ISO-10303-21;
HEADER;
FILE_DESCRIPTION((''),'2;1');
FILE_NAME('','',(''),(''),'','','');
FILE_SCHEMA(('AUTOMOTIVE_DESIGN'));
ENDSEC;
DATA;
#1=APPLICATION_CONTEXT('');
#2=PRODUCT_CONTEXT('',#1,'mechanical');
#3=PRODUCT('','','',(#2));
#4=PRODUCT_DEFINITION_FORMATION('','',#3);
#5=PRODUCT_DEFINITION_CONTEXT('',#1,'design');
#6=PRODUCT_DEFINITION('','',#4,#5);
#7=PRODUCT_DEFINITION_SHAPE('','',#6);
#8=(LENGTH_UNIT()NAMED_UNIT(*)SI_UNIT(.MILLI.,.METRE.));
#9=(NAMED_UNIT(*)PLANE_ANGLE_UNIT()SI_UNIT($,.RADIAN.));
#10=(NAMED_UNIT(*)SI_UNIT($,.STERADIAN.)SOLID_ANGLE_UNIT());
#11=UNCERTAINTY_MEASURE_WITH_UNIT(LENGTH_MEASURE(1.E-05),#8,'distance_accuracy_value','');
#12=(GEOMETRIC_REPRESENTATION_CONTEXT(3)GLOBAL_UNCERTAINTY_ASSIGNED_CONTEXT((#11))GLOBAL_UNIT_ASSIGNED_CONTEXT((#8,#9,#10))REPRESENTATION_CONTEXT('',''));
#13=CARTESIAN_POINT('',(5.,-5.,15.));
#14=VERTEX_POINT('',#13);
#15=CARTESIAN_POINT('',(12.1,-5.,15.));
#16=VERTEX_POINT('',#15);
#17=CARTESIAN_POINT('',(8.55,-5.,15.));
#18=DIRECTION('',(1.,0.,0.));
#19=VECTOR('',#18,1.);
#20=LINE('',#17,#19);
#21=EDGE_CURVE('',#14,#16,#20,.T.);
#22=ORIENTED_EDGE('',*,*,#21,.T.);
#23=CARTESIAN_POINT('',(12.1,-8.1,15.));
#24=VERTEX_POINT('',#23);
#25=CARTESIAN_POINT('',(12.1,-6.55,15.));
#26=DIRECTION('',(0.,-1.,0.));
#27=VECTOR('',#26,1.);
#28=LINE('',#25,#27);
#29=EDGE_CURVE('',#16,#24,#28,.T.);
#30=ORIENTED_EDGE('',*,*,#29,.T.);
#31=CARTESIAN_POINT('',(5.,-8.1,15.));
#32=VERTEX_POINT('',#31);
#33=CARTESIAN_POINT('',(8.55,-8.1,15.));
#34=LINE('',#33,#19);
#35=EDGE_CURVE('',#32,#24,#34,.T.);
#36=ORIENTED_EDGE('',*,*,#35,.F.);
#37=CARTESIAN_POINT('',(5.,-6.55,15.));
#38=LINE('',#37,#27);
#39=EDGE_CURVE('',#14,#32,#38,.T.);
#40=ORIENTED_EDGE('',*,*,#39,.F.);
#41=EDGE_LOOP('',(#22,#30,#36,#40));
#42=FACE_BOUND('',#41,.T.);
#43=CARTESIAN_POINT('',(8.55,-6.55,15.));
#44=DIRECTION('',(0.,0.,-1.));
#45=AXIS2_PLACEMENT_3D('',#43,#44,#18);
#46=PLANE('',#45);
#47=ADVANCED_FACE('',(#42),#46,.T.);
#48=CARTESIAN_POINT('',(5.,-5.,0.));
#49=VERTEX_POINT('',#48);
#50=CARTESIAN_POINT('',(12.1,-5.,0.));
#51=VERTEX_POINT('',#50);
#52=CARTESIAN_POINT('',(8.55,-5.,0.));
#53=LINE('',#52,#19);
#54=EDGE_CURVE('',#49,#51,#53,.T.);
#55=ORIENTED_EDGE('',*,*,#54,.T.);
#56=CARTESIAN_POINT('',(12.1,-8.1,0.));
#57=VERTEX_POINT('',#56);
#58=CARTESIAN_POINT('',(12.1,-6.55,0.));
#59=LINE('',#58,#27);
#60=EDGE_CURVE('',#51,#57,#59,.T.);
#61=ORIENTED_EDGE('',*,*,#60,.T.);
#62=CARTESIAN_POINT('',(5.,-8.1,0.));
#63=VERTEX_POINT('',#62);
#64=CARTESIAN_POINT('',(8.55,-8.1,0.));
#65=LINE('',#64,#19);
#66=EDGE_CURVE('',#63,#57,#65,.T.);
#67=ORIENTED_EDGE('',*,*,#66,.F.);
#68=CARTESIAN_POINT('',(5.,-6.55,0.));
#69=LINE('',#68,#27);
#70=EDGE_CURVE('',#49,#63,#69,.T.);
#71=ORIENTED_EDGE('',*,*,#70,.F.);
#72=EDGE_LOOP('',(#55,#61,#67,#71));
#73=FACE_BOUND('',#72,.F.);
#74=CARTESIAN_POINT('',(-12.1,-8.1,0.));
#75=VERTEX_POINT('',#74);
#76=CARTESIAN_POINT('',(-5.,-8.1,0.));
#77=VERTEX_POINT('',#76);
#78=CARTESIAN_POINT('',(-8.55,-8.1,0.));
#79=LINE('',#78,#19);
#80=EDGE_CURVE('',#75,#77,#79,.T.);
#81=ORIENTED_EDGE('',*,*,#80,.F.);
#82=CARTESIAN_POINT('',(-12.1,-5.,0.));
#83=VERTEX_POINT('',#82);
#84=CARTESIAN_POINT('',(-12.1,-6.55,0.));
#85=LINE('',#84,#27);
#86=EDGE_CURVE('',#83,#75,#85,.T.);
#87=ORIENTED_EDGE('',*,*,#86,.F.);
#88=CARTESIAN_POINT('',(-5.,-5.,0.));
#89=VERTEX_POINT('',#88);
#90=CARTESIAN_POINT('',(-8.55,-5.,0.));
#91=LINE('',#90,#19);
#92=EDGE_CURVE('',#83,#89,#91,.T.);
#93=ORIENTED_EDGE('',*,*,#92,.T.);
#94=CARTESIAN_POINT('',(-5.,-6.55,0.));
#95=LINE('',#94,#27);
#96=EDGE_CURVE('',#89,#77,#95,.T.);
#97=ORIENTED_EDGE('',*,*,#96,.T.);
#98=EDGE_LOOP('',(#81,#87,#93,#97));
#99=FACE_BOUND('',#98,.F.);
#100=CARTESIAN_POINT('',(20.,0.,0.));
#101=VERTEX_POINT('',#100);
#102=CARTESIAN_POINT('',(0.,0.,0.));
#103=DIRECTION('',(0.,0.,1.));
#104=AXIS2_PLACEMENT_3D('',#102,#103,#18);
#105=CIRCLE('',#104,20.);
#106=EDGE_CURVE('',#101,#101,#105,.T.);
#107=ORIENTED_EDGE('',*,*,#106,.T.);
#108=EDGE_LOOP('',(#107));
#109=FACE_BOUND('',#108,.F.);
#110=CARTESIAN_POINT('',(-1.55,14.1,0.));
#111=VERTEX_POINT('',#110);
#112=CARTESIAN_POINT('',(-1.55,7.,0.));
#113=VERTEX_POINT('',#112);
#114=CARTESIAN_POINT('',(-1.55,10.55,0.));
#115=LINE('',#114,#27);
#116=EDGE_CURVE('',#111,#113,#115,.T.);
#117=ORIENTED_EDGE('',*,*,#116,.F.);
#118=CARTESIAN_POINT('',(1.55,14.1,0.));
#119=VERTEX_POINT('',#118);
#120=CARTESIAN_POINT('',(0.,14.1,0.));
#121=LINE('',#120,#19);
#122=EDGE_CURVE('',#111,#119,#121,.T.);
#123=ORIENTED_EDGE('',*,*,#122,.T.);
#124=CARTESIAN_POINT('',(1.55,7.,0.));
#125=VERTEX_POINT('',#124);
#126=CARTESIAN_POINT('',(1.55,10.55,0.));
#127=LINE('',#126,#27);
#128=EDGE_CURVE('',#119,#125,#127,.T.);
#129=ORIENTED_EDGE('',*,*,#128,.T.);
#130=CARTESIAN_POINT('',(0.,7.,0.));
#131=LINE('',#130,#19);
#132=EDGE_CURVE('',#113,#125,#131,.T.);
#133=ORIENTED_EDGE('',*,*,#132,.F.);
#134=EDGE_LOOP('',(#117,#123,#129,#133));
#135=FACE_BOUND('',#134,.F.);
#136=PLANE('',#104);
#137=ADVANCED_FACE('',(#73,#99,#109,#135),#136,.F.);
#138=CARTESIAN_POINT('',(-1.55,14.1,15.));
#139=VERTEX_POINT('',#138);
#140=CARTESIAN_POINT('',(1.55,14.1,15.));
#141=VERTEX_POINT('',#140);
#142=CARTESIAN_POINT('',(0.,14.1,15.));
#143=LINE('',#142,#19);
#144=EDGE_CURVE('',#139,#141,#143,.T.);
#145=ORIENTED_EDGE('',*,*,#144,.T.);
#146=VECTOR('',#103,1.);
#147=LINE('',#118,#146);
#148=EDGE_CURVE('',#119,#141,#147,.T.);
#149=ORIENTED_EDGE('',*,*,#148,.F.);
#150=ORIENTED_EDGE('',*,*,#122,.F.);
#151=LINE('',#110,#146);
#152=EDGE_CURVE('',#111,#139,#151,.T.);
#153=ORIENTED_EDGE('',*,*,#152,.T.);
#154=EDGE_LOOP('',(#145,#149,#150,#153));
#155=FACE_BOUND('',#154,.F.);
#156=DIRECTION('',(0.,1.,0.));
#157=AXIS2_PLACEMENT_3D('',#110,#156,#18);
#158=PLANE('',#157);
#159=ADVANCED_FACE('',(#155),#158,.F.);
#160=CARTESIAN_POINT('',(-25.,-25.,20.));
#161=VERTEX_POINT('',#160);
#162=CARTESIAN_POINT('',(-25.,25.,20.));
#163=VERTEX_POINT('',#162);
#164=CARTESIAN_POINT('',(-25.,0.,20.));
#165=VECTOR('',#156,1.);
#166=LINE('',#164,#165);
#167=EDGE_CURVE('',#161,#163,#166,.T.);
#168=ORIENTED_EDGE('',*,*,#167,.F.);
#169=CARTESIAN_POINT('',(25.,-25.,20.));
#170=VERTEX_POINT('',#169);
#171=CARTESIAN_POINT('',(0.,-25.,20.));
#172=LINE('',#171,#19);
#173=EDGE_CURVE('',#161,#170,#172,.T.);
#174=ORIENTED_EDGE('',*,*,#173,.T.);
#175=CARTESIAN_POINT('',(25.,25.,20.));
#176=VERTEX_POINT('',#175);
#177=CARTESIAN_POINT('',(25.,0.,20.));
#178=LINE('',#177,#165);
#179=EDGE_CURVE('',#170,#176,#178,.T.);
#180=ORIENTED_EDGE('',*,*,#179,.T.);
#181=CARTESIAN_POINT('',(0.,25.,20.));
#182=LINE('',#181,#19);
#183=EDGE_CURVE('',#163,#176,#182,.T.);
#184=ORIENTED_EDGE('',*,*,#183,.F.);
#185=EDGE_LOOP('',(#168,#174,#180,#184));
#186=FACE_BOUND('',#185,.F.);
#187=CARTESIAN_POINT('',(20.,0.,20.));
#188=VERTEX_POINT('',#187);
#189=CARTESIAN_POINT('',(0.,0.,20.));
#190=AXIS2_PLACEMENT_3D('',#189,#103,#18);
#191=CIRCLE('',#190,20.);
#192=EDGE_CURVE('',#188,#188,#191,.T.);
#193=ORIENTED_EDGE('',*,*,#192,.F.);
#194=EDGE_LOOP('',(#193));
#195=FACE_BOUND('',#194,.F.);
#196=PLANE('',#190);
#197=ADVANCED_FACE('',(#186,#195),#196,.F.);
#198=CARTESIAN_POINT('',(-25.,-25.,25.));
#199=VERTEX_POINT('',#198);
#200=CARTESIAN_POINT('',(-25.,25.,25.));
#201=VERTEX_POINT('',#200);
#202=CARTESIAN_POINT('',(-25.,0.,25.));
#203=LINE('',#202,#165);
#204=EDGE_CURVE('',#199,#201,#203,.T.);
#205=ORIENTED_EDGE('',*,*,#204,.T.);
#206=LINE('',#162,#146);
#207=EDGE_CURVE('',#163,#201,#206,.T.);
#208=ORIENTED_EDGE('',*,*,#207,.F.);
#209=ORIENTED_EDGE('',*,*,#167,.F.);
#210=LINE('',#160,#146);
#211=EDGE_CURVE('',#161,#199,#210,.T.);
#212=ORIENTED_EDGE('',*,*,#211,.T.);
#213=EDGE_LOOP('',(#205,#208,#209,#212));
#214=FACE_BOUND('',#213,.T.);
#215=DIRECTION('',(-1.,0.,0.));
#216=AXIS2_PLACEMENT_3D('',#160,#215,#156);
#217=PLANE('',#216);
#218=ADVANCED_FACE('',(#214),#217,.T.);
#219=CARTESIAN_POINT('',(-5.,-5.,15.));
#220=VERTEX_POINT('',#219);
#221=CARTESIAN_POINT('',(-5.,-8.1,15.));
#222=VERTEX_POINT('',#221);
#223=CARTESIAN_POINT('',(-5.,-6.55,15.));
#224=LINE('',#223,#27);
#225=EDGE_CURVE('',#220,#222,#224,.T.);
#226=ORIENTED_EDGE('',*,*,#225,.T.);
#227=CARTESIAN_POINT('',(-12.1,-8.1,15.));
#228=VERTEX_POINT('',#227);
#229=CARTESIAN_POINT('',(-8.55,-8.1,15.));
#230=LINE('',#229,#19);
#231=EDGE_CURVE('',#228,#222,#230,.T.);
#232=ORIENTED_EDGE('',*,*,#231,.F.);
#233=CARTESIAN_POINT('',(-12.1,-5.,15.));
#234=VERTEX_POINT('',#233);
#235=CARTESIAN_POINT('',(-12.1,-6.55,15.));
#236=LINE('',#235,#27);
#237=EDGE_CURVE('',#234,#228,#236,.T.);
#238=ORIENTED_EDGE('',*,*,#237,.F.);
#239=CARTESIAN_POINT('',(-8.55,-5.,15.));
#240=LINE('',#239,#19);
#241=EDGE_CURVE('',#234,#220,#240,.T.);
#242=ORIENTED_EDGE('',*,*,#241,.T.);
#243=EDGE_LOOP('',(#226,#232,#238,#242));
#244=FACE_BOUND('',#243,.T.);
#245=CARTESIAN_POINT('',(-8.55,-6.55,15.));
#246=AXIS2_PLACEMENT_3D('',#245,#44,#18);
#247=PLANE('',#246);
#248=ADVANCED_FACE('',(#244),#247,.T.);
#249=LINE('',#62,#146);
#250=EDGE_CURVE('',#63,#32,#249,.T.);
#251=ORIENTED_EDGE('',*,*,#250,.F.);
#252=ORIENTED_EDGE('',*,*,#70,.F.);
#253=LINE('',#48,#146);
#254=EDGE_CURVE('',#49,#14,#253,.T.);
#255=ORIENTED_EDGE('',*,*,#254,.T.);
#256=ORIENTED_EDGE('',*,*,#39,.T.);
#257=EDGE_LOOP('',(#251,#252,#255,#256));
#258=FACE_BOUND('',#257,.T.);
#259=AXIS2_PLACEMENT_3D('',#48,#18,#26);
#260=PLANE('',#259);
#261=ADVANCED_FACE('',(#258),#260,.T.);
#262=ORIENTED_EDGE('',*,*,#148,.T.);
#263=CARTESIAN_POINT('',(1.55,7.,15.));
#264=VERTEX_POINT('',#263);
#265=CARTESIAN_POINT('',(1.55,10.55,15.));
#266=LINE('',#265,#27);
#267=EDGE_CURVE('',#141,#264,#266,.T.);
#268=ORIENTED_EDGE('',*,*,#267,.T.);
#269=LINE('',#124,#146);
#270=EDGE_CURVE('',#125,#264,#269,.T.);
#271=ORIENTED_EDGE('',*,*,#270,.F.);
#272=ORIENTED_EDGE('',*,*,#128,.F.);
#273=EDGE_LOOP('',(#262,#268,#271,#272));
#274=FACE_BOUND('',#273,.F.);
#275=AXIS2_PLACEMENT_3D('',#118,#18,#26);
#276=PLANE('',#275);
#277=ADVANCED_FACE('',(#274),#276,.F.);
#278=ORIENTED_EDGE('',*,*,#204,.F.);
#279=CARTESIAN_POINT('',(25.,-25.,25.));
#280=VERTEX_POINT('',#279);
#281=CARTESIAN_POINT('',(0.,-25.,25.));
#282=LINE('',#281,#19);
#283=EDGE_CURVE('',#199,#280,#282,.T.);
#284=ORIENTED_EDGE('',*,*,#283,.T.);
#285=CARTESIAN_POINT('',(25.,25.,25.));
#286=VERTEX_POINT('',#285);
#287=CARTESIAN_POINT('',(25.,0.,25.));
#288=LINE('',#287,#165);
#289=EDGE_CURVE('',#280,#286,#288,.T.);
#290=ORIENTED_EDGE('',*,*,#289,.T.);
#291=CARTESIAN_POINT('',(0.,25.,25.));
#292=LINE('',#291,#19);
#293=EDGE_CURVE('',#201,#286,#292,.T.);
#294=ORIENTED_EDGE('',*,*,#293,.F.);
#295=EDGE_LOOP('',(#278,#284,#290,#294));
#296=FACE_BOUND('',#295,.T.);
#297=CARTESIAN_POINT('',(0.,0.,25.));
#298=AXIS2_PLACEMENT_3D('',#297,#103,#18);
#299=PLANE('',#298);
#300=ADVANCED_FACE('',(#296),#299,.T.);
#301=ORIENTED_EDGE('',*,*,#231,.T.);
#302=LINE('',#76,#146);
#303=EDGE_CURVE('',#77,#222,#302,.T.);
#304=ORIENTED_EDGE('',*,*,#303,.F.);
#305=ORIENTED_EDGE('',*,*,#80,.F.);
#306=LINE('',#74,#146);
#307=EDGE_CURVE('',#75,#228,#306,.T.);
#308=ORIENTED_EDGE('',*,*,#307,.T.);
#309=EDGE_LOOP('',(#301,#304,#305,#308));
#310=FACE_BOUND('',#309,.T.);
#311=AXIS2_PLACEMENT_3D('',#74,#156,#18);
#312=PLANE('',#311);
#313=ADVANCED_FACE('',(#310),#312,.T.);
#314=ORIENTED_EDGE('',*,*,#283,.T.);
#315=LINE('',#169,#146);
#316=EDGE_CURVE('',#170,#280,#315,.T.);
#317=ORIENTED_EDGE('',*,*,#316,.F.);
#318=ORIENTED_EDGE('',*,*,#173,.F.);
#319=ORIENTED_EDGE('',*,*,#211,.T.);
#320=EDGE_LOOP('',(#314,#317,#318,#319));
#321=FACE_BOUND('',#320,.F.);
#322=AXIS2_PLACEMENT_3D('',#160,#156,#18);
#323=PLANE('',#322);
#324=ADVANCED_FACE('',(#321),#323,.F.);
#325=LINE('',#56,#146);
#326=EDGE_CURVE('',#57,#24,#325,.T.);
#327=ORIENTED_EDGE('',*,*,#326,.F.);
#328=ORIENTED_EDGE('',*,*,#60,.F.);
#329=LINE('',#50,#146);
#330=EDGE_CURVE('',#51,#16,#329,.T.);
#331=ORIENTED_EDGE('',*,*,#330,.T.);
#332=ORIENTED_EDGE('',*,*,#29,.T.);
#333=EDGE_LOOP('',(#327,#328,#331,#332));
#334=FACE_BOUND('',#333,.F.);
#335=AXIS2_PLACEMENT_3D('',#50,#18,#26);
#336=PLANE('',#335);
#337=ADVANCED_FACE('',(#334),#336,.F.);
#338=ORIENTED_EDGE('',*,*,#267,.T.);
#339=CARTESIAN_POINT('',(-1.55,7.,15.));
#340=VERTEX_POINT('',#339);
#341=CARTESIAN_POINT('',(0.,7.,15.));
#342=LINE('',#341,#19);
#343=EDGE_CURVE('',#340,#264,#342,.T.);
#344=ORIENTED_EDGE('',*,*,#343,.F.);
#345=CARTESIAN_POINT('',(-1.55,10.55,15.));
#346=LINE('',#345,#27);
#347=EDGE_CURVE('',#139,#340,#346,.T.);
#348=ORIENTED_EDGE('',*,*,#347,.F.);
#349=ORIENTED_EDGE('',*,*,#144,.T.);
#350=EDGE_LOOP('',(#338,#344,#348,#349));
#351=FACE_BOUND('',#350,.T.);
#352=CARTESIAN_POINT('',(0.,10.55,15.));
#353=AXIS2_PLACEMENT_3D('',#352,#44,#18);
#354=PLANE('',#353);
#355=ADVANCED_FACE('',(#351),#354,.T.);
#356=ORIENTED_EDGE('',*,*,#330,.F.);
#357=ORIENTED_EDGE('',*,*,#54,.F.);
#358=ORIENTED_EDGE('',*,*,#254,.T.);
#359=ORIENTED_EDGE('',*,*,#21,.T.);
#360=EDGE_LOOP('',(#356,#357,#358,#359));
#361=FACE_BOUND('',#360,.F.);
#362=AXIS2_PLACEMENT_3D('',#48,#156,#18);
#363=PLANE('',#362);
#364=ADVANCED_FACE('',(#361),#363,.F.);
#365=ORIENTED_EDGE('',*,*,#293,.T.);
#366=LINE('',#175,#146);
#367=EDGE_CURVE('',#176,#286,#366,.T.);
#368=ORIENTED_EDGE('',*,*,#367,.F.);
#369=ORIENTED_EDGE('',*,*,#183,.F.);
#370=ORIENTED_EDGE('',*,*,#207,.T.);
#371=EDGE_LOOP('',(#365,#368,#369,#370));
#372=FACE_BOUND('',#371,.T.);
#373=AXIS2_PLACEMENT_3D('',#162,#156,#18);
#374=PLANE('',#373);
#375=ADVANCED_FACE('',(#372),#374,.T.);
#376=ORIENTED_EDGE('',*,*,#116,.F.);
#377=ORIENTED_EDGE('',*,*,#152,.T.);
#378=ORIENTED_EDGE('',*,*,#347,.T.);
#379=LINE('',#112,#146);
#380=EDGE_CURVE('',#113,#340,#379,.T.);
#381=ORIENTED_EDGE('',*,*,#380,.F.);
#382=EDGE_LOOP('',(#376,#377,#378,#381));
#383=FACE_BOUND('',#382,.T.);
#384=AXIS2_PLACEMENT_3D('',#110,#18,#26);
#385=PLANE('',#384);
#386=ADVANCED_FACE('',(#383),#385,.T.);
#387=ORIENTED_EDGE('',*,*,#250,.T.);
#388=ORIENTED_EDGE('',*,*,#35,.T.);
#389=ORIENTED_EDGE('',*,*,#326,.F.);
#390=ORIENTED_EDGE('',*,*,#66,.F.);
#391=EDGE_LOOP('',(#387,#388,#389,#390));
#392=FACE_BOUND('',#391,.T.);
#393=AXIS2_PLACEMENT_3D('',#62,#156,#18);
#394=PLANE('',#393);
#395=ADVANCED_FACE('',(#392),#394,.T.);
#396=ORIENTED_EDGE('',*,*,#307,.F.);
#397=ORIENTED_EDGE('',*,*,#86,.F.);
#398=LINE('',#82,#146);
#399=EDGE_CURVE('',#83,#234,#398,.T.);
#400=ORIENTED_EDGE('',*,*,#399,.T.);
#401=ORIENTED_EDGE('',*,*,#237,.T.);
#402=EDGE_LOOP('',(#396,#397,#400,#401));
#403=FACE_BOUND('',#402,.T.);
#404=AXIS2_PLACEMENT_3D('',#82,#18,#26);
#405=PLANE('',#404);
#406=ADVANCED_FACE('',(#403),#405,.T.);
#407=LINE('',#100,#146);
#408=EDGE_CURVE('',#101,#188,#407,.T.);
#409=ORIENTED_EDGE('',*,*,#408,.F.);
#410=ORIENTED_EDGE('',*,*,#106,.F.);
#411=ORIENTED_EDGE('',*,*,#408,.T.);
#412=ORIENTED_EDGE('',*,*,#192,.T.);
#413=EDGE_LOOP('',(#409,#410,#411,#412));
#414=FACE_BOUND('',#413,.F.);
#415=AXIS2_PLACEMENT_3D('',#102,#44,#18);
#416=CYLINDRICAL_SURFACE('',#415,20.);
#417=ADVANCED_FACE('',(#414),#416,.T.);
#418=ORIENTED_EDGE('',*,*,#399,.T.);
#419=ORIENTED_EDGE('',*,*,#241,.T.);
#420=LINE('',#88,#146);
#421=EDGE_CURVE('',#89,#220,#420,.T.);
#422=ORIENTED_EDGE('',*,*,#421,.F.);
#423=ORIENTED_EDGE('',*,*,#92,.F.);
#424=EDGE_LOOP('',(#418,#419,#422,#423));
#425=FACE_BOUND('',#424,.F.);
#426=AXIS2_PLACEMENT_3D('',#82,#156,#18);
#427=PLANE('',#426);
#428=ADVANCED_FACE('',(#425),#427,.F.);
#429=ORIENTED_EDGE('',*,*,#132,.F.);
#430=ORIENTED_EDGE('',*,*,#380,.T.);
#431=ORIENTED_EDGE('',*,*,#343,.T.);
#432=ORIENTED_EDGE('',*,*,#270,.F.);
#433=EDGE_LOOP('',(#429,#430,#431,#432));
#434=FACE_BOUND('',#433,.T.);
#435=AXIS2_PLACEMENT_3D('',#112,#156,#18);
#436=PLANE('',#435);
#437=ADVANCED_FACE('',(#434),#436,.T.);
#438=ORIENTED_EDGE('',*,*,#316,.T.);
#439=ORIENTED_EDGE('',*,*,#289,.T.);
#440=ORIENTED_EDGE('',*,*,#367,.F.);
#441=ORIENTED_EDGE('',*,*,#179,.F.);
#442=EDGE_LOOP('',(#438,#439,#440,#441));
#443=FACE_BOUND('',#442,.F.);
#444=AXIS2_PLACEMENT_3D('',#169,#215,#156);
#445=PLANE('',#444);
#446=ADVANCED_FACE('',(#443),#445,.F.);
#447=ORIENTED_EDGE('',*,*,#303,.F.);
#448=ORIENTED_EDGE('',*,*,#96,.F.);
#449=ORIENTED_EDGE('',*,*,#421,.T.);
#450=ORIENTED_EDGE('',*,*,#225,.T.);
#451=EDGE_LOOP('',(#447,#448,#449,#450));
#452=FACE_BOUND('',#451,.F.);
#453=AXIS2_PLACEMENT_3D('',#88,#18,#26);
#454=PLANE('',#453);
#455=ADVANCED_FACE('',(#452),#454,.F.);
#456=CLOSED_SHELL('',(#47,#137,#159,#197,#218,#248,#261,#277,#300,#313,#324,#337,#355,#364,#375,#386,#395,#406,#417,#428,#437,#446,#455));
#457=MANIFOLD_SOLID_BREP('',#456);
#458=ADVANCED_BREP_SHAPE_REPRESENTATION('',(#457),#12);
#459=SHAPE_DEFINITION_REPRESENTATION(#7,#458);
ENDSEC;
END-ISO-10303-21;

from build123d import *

# Parameters (mm, degrees)
F0_R     = 20
F1_DEPTH = 20
F2_W     = 3.1
F2_H     = 7.1
F2_W_2   = 7.1
F2_H_2   = 3.1
F3_DEPTH = 15
F4_W     = 50
F4_H     = 50
F5_DEPTH = 5


with BuildPart() as f1:
    # F0 (on Top) → F1 (new body)
    with BuildSketch(Plane.XY):
        Circle(F0_R)
    extrude(amount=F1_DEPTH)

    # F2 (on face) → F3 (cut)
    with BuildSketch(Plane(origin=(0, 0, 0), x_dir=(1, 0, 0), z_dir=(0, 0, -1))):
        with Locations((0, -10.55)):
            Rectangle(F2_W, F2_H)
        with Locations((8.55, 6.55)):
            Rectangle(F2_W_2, F2_H_2)
        with Locations((-8.55, 6.55)):
            Rectangle(F2_W_2, F2_H_2)
    extrude(amount=-F3_DEPTH, mode=Mode.SUBTRACT)

    # F4 (on face) → F5 (join)
    with BuildSketch(Plane.XY.offset(20)):
        Rectangle(F4_W, F4_H)
    extrude(amount=F5_DEPTH)


solid = f1.part
